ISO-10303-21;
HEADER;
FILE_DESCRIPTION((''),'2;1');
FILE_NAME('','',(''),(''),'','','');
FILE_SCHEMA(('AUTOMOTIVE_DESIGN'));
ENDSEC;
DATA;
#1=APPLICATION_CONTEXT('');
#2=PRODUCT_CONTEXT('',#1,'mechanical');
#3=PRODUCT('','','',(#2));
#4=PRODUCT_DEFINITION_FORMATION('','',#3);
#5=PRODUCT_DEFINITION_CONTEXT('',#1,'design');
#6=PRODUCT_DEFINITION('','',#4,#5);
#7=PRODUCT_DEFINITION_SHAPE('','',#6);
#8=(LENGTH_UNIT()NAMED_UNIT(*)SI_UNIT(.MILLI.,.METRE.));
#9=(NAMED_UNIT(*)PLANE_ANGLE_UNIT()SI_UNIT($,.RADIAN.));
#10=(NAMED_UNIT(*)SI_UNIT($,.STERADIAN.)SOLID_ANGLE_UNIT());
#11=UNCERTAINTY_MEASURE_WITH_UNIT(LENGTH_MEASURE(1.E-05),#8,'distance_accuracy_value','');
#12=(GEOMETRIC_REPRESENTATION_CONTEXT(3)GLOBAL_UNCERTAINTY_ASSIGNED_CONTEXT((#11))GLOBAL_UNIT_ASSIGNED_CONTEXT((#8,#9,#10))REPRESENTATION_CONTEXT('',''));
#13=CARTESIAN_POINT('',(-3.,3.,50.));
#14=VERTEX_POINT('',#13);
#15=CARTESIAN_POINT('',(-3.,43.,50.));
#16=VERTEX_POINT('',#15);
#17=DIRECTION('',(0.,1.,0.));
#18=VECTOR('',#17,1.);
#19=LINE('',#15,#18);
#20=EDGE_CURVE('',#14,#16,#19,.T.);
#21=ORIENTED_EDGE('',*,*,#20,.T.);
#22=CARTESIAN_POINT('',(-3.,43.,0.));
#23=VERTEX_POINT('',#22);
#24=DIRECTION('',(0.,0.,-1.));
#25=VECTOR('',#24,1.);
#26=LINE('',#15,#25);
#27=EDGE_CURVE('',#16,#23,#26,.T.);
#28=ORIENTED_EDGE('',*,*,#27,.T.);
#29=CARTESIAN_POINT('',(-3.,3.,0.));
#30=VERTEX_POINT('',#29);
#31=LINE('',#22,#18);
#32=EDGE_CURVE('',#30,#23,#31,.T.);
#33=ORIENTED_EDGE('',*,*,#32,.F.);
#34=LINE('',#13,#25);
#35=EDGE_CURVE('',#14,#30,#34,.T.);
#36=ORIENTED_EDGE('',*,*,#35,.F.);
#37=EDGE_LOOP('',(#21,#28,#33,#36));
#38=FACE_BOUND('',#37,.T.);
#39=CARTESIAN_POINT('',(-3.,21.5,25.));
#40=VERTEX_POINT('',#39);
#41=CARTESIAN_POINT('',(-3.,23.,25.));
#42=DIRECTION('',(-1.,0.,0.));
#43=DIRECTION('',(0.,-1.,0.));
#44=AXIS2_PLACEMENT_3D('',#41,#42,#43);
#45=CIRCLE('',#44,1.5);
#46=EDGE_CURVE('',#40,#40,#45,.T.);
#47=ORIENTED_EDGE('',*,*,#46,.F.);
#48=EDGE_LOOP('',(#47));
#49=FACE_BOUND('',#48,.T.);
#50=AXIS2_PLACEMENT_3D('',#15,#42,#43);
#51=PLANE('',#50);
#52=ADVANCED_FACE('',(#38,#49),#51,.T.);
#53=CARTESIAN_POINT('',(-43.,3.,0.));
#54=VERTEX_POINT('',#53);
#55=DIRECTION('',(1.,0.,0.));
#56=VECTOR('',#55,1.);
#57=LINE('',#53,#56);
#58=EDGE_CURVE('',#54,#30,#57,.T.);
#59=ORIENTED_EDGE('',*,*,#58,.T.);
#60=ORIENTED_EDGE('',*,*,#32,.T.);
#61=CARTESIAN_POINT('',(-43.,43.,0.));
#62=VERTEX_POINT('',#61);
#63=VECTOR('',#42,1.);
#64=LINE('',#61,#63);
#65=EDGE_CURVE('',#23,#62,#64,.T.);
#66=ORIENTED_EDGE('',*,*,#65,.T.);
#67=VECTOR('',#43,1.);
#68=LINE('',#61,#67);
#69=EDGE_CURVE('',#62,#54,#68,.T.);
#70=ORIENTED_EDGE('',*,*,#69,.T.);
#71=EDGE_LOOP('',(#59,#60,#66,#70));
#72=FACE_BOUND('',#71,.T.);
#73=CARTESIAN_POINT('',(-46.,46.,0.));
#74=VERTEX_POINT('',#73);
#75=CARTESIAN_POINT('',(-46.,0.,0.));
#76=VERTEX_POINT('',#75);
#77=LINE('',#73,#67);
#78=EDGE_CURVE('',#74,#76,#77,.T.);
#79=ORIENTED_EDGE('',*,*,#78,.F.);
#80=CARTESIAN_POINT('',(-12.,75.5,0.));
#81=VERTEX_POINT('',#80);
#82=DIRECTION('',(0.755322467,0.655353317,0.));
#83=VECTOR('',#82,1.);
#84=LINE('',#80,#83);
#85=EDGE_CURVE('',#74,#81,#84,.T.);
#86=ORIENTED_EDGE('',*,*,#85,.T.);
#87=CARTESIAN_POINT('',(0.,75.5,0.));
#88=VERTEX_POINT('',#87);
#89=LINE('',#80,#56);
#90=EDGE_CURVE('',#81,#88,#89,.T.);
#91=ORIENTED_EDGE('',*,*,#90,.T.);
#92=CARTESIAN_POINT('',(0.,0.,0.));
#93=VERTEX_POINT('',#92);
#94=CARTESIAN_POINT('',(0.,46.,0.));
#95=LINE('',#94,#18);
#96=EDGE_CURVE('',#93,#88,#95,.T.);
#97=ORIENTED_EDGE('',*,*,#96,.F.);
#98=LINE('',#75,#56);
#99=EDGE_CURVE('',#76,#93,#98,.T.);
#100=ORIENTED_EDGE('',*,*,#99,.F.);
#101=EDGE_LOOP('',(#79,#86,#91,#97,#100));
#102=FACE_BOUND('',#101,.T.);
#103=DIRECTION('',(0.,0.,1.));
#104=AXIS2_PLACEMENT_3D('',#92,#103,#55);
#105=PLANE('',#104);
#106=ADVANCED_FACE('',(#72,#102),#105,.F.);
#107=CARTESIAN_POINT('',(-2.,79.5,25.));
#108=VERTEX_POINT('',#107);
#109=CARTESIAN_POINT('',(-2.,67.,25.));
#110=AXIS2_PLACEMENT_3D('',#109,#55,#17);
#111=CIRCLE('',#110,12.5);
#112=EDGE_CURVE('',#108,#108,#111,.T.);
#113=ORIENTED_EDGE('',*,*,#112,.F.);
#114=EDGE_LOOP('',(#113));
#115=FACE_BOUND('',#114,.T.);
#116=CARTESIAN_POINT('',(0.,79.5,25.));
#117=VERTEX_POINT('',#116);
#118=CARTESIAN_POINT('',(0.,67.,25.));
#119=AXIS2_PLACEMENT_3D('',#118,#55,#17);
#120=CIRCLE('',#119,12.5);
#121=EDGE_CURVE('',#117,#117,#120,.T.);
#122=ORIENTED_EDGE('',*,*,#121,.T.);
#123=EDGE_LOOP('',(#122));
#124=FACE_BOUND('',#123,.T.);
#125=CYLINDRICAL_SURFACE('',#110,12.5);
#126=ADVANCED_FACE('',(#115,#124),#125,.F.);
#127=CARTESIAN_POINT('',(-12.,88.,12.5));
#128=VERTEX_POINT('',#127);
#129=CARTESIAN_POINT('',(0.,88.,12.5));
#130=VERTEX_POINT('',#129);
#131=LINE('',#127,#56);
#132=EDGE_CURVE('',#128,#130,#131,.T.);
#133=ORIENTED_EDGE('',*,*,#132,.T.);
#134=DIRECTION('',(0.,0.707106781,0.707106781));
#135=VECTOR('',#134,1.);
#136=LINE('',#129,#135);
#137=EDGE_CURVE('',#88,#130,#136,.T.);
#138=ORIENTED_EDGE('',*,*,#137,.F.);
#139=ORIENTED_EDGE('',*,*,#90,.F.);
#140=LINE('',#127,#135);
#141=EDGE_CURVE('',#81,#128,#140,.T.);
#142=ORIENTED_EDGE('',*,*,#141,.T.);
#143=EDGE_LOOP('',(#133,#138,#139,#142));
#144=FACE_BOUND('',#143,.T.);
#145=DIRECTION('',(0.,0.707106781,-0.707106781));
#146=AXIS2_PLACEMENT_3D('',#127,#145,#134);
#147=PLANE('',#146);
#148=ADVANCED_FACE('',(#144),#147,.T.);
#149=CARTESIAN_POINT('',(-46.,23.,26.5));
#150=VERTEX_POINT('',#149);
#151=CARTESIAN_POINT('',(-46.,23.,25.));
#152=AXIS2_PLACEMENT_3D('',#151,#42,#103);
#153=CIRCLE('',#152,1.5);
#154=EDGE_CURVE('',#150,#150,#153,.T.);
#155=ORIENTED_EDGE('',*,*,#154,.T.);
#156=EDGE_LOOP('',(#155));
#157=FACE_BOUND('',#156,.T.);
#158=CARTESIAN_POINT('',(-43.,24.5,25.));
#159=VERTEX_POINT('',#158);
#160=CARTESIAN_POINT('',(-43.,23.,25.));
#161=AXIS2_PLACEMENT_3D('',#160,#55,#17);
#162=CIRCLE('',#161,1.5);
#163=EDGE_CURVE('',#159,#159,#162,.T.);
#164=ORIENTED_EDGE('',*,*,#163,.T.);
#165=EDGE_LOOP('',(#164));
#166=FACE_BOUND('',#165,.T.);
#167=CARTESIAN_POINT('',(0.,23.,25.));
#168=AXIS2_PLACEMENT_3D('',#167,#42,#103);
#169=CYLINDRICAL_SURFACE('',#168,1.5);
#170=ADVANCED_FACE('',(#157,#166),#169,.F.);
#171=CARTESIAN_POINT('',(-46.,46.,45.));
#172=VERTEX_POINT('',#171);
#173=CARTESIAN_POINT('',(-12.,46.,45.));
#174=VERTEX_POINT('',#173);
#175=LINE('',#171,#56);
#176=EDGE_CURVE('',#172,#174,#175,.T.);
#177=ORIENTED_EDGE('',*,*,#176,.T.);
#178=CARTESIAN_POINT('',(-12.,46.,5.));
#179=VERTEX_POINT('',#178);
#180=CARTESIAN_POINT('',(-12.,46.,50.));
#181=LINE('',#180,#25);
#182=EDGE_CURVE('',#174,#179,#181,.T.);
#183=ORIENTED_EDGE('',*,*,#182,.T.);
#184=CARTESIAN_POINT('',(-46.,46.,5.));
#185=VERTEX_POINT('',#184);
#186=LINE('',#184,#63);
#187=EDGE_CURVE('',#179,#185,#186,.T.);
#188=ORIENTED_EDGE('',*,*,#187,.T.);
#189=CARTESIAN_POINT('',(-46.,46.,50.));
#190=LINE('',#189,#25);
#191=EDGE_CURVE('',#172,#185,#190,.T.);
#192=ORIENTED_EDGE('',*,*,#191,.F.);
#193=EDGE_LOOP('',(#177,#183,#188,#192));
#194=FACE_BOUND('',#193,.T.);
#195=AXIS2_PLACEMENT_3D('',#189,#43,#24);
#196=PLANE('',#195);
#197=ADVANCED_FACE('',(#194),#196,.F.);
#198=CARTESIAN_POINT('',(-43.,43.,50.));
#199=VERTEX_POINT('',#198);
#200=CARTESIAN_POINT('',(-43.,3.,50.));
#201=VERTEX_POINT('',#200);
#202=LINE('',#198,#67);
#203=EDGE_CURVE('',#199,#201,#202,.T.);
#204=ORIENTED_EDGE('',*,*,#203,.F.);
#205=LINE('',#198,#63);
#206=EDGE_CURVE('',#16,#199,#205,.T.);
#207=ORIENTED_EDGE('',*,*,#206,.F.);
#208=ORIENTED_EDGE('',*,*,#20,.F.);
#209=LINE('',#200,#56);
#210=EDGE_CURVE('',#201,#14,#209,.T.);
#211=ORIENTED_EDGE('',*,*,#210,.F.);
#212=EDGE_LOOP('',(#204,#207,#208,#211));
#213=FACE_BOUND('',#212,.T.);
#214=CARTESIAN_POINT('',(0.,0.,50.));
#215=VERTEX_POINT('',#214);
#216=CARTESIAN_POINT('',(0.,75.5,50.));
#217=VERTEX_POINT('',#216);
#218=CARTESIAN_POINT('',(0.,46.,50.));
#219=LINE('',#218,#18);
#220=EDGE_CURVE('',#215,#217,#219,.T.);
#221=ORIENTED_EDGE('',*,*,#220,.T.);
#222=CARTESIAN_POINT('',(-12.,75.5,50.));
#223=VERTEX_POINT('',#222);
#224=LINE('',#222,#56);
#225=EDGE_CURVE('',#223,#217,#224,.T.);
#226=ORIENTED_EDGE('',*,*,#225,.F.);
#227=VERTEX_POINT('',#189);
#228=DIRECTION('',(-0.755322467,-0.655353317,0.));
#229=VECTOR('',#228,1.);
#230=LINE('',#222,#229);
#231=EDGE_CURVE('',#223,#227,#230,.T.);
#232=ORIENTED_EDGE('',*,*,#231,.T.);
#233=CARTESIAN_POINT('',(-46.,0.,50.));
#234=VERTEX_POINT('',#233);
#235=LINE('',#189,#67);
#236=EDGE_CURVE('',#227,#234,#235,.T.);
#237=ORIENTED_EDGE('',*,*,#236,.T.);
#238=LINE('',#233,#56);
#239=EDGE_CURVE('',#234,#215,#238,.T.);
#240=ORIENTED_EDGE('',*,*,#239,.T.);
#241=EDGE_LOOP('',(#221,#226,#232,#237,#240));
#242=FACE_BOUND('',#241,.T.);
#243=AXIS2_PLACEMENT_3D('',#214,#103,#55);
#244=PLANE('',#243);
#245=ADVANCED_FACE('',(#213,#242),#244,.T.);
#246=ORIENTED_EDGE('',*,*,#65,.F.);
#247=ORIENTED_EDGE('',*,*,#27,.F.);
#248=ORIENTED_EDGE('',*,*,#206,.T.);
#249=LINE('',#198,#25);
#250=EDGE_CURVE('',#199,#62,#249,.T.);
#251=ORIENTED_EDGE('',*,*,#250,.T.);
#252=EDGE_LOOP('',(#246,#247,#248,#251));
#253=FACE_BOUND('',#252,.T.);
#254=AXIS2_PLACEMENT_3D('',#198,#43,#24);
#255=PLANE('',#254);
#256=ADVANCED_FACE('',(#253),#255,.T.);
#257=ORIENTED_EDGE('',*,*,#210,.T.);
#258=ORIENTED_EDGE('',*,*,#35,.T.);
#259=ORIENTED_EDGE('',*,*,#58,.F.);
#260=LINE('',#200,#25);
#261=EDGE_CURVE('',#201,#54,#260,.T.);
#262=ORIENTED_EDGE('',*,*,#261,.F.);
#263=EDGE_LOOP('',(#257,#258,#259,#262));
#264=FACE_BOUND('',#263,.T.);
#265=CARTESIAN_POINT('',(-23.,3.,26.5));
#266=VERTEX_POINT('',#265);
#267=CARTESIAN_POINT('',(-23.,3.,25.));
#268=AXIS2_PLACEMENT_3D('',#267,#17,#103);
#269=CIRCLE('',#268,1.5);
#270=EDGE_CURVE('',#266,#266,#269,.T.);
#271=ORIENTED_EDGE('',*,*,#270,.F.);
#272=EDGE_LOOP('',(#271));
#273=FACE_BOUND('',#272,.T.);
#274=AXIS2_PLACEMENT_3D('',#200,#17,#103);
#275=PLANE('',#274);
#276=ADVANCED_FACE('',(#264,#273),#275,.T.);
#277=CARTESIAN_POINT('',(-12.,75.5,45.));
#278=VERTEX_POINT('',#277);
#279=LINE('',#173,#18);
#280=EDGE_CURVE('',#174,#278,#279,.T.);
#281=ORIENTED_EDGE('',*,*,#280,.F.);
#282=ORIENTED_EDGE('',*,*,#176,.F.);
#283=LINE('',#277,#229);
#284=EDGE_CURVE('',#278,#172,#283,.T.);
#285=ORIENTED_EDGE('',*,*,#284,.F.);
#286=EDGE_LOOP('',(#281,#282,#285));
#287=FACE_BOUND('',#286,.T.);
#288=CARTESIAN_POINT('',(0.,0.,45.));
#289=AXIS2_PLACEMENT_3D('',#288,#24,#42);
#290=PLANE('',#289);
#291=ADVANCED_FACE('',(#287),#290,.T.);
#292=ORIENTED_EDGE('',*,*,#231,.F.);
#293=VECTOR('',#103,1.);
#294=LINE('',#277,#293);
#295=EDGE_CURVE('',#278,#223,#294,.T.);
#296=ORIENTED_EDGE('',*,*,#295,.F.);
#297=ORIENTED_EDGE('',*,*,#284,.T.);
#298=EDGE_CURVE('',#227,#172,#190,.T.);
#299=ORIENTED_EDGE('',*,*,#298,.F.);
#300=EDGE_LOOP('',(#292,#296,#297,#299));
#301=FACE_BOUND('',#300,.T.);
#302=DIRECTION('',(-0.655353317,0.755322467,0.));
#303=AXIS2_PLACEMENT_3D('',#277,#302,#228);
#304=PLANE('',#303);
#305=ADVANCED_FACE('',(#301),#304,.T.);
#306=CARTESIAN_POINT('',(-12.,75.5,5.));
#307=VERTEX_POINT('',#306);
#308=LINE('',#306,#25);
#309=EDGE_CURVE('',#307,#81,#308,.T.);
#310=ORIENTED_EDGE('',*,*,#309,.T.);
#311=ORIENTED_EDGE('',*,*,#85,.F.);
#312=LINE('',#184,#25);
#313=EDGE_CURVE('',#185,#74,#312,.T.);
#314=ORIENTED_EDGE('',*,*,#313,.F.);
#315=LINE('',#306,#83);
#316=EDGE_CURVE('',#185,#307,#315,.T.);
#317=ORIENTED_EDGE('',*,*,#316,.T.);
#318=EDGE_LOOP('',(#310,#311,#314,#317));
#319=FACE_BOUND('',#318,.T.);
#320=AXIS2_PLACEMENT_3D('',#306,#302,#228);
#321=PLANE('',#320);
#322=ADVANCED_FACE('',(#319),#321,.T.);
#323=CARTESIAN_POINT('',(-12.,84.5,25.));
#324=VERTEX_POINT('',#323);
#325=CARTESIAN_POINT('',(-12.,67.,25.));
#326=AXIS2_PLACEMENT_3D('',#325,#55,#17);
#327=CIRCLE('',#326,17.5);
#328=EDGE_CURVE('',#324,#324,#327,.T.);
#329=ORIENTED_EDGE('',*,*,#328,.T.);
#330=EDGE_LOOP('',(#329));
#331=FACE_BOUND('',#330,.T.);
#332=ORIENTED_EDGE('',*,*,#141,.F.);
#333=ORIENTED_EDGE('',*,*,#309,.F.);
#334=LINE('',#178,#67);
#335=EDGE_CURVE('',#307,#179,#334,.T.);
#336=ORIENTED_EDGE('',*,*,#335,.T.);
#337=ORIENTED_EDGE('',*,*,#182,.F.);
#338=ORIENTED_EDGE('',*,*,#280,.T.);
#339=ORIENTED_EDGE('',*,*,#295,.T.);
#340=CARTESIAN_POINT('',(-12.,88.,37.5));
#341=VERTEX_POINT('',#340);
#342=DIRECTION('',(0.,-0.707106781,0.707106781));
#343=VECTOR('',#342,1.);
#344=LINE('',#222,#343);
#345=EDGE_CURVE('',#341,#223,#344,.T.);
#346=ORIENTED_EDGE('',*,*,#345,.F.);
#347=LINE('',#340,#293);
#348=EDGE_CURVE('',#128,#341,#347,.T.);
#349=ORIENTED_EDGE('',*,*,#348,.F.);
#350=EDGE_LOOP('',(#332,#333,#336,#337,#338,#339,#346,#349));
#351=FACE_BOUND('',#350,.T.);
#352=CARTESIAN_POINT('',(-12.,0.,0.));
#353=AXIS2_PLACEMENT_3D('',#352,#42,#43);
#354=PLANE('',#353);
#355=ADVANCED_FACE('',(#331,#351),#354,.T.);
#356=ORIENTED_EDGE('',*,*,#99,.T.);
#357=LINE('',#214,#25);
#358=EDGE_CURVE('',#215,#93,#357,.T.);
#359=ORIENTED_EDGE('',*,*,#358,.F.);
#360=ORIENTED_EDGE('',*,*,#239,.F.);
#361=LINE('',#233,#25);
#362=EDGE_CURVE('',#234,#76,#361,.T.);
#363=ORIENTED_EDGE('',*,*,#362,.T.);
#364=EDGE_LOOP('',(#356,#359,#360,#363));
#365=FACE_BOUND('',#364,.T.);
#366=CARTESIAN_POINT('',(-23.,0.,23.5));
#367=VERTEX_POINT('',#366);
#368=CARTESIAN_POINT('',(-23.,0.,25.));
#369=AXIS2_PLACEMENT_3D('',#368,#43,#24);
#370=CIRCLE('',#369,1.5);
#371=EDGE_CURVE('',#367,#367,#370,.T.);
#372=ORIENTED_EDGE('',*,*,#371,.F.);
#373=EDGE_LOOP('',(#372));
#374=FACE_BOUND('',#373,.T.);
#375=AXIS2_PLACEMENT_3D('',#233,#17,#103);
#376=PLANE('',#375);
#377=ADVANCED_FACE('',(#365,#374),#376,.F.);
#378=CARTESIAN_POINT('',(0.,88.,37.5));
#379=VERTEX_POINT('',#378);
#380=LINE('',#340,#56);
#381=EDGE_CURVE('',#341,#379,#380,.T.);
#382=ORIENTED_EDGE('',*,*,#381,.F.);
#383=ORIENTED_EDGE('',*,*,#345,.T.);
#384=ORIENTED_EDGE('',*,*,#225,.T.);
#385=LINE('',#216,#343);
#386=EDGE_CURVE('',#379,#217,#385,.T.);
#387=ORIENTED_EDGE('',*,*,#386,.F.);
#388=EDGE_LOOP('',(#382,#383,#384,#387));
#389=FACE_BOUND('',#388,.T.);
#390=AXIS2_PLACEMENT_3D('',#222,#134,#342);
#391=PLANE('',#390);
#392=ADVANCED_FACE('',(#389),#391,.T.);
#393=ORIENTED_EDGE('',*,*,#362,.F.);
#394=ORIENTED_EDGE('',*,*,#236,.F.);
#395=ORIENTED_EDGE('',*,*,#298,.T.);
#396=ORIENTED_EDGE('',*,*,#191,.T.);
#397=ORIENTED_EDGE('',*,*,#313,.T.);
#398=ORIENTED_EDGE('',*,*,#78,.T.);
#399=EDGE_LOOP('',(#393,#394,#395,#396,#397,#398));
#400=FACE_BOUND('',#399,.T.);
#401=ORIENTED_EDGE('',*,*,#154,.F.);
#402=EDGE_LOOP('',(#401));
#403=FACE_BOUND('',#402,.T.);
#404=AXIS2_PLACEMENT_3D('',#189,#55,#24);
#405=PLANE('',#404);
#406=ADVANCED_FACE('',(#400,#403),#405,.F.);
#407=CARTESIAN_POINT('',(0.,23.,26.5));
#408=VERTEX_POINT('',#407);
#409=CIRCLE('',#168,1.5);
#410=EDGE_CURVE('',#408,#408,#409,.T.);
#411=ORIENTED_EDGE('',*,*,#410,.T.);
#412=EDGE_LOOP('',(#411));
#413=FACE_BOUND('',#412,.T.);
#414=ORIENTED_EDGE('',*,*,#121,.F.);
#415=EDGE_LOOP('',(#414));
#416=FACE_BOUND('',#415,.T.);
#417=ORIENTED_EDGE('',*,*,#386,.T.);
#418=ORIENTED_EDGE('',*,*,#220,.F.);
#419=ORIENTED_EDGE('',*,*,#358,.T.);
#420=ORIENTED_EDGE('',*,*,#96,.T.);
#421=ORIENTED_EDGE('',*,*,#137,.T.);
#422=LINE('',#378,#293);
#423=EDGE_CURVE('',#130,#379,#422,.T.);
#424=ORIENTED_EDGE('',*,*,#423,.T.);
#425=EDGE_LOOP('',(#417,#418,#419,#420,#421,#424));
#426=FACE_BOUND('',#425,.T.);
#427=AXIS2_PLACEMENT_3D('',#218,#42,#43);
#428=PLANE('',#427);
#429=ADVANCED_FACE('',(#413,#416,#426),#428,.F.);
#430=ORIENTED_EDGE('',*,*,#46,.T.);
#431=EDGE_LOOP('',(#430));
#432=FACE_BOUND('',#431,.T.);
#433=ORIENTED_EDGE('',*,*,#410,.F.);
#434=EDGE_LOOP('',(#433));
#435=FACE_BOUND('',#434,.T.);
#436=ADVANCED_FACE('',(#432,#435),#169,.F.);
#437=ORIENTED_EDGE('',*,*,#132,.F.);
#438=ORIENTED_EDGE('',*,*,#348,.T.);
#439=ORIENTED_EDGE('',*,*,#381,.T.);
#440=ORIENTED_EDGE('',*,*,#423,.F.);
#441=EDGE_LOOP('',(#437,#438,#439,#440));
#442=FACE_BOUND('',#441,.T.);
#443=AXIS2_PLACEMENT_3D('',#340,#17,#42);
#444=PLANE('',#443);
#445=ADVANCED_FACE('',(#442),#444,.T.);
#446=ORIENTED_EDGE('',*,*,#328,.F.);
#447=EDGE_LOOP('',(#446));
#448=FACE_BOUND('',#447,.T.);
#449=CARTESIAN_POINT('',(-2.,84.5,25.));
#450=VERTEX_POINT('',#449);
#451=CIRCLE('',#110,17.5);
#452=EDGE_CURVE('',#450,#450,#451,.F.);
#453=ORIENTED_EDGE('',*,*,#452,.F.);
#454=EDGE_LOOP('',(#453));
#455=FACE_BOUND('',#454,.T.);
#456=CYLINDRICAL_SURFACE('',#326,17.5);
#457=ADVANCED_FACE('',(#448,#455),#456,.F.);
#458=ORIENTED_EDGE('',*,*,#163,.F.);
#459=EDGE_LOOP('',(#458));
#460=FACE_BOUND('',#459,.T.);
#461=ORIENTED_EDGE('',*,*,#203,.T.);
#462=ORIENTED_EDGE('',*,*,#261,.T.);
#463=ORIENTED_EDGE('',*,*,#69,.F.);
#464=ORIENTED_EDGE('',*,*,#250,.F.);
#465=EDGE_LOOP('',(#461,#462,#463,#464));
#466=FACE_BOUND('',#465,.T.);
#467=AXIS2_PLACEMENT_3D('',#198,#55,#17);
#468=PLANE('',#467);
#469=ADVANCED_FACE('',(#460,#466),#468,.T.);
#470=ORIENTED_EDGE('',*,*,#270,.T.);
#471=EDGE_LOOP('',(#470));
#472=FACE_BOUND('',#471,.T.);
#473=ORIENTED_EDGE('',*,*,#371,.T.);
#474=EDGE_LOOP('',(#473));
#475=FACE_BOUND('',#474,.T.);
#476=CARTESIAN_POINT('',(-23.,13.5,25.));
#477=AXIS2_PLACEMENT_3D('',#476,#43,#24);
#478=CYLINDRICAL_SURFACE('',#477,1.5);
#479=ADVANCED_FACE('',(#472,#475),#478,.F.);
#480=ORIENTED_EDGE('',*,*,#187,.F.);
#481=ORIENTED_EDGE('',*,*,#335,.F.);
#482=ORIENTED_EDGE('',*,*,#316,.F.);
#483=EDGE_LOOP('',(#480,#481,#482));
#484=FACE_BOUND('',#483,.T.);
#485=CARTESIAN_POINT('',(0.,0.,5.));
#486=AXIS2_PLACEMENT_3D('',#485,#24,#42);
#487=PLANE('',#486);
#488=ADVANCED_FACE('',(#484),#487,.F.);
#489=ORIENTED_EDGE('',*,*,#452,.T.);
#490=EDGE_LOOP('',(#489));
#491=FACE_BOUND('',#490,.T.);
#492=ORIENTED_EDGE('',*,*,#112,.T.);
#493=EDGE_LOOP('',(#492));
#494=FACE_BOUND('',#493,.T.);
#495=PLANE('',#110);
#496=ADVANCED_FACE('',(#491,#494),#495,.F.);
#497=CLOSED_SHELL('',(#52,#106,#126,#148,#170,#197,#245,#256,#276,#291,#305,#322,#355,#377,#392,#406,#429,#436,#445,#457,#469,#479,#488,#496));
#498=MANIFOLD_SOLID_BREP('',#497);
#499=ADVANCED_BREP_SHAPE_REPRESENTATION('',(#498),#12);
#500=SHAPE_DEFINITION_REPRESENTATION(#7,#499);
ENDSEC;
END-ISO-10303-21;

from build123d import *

# Parameters (mm, degrees)
ESQUISSE1_W             = 46
ESQUISSE1_H             = 46
ESQUISSE1_W_2           = 40
ESQUISSE1_H_2           = 40
BOSS_EXTRU_1_DEPTH      = 50
ESQUISSE8_R             = 1.5
ENL_V_MAT_EXTRU_2_DEPTH = 83.048765987
ESQUISSE9_R             = 1.5
ENL_V_MAT_EXTRU_3_DEPTH = 13.5
ESQUISSE13_R            = 17.5
BOSS_EXTRU_4_DEPTH      = 12
ESQUISSE14_R            = 17.5
ESQUISSE14_R_2          = 12.5
BOSS_EXTRU_5_DEPTH      = 2
BOSS_EXTRU_6_DEPTH      = 5
BOSS_EXTRU_7_DEPTH      = 5


with BuildPart() as part:
    # Esquisse1 → Boss.-Extru.1 (new body)
    with BuildSketch(Plane.XY):
        with Locations((-23, 23)):
            Rectangle(ESQUISSE1_W, ESQUISSE1_H)
        with Locations((-23, 23)):
            Rectangle(ESQUISSE1_W_2, ESQUISSE1_H_2, mode=Mode.SUBTRACT)
    extrude(amount=BOSS_EXTRU_1_DEPTH)

    # Esquisse8 → Enlèv. mat.-Extru.2 (cut, through all)
    with BuildSketch(Plane.ZY.offset(46)):
        with Locations((25, 23)):
            Circle(ESQUISSE8_R)
    extrude(amount=-ENL_V_MAT_EXTRU_2_DEPTH, mode=Mode.SUBTRACT)

    # Esquisse9 → Enlèv. mat.-Extru.3 (cut)
    with BuildSketch(Plane.XZ):
        with Locations((-23, 25)):
            Circle(ESQUISSE9_R)
    extrude(amount=-ENL_V_MAT_EXTRU_3_DEPTH, mode=Mode.SUBTRACT)

    # Esquisse13 → Boss.-Extru.4 (add)
    with BuildSketch(Plane(origin=(0, 0, 0), x_dir=(0, 0, -1), z_dir=(1, 0, 0))):
        Polygon((-50, 46), (-50, 75.5), (-37.5, 88), (-12.5, 88), (0, 75.5), (0, 46), align=None)
        with Locations((-25, 67)):
            Circle(ESQUISSE13_R, mode=Mode.SUBTRACT)
    extrude(amount=-BOSS_EXTRU_4_DEPTH)

    # Esquisse14 → Boss.-Extru.5 (add)
    with BuildSketch(Plane(origin=(0, 0, 0), x_dir=(0, 0, -1), z_dir=(1, 0, 0))):
        with Locations((-25, 67)):
            Circle(ESQUISSE14_R)
        with Locations((-25, 67)):
            Circle(ESQUISSE14_R_2, mode=Mode.SUBTRACT)
    extrude(amount=-BOSS_EXTRU_5_DEPTH)

    # Esquisse15 → Boss.-Extru.6 (add)
    with BuildSketch(Plane(origin=(0, 0, 0), x_dir=(-1, 0, 0), z_dir=(0, 0, -1))):
        Polygon((12, 75.5), (46, 46), (12, 46), align=None)
    extrude(amount=-BOSS_EXTRU_6_DEPTH)

    # Esquisse16 → Boss.-Extru.7 (add)
    with BuildSketch(Plane.XY.offset(50)):
        Polygon((-12, 75.5), (-46, 46), (-12, 46), align=None)
    extrude(amount=-BOSS_EXTRU_7_DEPTH)


solid = part.part
